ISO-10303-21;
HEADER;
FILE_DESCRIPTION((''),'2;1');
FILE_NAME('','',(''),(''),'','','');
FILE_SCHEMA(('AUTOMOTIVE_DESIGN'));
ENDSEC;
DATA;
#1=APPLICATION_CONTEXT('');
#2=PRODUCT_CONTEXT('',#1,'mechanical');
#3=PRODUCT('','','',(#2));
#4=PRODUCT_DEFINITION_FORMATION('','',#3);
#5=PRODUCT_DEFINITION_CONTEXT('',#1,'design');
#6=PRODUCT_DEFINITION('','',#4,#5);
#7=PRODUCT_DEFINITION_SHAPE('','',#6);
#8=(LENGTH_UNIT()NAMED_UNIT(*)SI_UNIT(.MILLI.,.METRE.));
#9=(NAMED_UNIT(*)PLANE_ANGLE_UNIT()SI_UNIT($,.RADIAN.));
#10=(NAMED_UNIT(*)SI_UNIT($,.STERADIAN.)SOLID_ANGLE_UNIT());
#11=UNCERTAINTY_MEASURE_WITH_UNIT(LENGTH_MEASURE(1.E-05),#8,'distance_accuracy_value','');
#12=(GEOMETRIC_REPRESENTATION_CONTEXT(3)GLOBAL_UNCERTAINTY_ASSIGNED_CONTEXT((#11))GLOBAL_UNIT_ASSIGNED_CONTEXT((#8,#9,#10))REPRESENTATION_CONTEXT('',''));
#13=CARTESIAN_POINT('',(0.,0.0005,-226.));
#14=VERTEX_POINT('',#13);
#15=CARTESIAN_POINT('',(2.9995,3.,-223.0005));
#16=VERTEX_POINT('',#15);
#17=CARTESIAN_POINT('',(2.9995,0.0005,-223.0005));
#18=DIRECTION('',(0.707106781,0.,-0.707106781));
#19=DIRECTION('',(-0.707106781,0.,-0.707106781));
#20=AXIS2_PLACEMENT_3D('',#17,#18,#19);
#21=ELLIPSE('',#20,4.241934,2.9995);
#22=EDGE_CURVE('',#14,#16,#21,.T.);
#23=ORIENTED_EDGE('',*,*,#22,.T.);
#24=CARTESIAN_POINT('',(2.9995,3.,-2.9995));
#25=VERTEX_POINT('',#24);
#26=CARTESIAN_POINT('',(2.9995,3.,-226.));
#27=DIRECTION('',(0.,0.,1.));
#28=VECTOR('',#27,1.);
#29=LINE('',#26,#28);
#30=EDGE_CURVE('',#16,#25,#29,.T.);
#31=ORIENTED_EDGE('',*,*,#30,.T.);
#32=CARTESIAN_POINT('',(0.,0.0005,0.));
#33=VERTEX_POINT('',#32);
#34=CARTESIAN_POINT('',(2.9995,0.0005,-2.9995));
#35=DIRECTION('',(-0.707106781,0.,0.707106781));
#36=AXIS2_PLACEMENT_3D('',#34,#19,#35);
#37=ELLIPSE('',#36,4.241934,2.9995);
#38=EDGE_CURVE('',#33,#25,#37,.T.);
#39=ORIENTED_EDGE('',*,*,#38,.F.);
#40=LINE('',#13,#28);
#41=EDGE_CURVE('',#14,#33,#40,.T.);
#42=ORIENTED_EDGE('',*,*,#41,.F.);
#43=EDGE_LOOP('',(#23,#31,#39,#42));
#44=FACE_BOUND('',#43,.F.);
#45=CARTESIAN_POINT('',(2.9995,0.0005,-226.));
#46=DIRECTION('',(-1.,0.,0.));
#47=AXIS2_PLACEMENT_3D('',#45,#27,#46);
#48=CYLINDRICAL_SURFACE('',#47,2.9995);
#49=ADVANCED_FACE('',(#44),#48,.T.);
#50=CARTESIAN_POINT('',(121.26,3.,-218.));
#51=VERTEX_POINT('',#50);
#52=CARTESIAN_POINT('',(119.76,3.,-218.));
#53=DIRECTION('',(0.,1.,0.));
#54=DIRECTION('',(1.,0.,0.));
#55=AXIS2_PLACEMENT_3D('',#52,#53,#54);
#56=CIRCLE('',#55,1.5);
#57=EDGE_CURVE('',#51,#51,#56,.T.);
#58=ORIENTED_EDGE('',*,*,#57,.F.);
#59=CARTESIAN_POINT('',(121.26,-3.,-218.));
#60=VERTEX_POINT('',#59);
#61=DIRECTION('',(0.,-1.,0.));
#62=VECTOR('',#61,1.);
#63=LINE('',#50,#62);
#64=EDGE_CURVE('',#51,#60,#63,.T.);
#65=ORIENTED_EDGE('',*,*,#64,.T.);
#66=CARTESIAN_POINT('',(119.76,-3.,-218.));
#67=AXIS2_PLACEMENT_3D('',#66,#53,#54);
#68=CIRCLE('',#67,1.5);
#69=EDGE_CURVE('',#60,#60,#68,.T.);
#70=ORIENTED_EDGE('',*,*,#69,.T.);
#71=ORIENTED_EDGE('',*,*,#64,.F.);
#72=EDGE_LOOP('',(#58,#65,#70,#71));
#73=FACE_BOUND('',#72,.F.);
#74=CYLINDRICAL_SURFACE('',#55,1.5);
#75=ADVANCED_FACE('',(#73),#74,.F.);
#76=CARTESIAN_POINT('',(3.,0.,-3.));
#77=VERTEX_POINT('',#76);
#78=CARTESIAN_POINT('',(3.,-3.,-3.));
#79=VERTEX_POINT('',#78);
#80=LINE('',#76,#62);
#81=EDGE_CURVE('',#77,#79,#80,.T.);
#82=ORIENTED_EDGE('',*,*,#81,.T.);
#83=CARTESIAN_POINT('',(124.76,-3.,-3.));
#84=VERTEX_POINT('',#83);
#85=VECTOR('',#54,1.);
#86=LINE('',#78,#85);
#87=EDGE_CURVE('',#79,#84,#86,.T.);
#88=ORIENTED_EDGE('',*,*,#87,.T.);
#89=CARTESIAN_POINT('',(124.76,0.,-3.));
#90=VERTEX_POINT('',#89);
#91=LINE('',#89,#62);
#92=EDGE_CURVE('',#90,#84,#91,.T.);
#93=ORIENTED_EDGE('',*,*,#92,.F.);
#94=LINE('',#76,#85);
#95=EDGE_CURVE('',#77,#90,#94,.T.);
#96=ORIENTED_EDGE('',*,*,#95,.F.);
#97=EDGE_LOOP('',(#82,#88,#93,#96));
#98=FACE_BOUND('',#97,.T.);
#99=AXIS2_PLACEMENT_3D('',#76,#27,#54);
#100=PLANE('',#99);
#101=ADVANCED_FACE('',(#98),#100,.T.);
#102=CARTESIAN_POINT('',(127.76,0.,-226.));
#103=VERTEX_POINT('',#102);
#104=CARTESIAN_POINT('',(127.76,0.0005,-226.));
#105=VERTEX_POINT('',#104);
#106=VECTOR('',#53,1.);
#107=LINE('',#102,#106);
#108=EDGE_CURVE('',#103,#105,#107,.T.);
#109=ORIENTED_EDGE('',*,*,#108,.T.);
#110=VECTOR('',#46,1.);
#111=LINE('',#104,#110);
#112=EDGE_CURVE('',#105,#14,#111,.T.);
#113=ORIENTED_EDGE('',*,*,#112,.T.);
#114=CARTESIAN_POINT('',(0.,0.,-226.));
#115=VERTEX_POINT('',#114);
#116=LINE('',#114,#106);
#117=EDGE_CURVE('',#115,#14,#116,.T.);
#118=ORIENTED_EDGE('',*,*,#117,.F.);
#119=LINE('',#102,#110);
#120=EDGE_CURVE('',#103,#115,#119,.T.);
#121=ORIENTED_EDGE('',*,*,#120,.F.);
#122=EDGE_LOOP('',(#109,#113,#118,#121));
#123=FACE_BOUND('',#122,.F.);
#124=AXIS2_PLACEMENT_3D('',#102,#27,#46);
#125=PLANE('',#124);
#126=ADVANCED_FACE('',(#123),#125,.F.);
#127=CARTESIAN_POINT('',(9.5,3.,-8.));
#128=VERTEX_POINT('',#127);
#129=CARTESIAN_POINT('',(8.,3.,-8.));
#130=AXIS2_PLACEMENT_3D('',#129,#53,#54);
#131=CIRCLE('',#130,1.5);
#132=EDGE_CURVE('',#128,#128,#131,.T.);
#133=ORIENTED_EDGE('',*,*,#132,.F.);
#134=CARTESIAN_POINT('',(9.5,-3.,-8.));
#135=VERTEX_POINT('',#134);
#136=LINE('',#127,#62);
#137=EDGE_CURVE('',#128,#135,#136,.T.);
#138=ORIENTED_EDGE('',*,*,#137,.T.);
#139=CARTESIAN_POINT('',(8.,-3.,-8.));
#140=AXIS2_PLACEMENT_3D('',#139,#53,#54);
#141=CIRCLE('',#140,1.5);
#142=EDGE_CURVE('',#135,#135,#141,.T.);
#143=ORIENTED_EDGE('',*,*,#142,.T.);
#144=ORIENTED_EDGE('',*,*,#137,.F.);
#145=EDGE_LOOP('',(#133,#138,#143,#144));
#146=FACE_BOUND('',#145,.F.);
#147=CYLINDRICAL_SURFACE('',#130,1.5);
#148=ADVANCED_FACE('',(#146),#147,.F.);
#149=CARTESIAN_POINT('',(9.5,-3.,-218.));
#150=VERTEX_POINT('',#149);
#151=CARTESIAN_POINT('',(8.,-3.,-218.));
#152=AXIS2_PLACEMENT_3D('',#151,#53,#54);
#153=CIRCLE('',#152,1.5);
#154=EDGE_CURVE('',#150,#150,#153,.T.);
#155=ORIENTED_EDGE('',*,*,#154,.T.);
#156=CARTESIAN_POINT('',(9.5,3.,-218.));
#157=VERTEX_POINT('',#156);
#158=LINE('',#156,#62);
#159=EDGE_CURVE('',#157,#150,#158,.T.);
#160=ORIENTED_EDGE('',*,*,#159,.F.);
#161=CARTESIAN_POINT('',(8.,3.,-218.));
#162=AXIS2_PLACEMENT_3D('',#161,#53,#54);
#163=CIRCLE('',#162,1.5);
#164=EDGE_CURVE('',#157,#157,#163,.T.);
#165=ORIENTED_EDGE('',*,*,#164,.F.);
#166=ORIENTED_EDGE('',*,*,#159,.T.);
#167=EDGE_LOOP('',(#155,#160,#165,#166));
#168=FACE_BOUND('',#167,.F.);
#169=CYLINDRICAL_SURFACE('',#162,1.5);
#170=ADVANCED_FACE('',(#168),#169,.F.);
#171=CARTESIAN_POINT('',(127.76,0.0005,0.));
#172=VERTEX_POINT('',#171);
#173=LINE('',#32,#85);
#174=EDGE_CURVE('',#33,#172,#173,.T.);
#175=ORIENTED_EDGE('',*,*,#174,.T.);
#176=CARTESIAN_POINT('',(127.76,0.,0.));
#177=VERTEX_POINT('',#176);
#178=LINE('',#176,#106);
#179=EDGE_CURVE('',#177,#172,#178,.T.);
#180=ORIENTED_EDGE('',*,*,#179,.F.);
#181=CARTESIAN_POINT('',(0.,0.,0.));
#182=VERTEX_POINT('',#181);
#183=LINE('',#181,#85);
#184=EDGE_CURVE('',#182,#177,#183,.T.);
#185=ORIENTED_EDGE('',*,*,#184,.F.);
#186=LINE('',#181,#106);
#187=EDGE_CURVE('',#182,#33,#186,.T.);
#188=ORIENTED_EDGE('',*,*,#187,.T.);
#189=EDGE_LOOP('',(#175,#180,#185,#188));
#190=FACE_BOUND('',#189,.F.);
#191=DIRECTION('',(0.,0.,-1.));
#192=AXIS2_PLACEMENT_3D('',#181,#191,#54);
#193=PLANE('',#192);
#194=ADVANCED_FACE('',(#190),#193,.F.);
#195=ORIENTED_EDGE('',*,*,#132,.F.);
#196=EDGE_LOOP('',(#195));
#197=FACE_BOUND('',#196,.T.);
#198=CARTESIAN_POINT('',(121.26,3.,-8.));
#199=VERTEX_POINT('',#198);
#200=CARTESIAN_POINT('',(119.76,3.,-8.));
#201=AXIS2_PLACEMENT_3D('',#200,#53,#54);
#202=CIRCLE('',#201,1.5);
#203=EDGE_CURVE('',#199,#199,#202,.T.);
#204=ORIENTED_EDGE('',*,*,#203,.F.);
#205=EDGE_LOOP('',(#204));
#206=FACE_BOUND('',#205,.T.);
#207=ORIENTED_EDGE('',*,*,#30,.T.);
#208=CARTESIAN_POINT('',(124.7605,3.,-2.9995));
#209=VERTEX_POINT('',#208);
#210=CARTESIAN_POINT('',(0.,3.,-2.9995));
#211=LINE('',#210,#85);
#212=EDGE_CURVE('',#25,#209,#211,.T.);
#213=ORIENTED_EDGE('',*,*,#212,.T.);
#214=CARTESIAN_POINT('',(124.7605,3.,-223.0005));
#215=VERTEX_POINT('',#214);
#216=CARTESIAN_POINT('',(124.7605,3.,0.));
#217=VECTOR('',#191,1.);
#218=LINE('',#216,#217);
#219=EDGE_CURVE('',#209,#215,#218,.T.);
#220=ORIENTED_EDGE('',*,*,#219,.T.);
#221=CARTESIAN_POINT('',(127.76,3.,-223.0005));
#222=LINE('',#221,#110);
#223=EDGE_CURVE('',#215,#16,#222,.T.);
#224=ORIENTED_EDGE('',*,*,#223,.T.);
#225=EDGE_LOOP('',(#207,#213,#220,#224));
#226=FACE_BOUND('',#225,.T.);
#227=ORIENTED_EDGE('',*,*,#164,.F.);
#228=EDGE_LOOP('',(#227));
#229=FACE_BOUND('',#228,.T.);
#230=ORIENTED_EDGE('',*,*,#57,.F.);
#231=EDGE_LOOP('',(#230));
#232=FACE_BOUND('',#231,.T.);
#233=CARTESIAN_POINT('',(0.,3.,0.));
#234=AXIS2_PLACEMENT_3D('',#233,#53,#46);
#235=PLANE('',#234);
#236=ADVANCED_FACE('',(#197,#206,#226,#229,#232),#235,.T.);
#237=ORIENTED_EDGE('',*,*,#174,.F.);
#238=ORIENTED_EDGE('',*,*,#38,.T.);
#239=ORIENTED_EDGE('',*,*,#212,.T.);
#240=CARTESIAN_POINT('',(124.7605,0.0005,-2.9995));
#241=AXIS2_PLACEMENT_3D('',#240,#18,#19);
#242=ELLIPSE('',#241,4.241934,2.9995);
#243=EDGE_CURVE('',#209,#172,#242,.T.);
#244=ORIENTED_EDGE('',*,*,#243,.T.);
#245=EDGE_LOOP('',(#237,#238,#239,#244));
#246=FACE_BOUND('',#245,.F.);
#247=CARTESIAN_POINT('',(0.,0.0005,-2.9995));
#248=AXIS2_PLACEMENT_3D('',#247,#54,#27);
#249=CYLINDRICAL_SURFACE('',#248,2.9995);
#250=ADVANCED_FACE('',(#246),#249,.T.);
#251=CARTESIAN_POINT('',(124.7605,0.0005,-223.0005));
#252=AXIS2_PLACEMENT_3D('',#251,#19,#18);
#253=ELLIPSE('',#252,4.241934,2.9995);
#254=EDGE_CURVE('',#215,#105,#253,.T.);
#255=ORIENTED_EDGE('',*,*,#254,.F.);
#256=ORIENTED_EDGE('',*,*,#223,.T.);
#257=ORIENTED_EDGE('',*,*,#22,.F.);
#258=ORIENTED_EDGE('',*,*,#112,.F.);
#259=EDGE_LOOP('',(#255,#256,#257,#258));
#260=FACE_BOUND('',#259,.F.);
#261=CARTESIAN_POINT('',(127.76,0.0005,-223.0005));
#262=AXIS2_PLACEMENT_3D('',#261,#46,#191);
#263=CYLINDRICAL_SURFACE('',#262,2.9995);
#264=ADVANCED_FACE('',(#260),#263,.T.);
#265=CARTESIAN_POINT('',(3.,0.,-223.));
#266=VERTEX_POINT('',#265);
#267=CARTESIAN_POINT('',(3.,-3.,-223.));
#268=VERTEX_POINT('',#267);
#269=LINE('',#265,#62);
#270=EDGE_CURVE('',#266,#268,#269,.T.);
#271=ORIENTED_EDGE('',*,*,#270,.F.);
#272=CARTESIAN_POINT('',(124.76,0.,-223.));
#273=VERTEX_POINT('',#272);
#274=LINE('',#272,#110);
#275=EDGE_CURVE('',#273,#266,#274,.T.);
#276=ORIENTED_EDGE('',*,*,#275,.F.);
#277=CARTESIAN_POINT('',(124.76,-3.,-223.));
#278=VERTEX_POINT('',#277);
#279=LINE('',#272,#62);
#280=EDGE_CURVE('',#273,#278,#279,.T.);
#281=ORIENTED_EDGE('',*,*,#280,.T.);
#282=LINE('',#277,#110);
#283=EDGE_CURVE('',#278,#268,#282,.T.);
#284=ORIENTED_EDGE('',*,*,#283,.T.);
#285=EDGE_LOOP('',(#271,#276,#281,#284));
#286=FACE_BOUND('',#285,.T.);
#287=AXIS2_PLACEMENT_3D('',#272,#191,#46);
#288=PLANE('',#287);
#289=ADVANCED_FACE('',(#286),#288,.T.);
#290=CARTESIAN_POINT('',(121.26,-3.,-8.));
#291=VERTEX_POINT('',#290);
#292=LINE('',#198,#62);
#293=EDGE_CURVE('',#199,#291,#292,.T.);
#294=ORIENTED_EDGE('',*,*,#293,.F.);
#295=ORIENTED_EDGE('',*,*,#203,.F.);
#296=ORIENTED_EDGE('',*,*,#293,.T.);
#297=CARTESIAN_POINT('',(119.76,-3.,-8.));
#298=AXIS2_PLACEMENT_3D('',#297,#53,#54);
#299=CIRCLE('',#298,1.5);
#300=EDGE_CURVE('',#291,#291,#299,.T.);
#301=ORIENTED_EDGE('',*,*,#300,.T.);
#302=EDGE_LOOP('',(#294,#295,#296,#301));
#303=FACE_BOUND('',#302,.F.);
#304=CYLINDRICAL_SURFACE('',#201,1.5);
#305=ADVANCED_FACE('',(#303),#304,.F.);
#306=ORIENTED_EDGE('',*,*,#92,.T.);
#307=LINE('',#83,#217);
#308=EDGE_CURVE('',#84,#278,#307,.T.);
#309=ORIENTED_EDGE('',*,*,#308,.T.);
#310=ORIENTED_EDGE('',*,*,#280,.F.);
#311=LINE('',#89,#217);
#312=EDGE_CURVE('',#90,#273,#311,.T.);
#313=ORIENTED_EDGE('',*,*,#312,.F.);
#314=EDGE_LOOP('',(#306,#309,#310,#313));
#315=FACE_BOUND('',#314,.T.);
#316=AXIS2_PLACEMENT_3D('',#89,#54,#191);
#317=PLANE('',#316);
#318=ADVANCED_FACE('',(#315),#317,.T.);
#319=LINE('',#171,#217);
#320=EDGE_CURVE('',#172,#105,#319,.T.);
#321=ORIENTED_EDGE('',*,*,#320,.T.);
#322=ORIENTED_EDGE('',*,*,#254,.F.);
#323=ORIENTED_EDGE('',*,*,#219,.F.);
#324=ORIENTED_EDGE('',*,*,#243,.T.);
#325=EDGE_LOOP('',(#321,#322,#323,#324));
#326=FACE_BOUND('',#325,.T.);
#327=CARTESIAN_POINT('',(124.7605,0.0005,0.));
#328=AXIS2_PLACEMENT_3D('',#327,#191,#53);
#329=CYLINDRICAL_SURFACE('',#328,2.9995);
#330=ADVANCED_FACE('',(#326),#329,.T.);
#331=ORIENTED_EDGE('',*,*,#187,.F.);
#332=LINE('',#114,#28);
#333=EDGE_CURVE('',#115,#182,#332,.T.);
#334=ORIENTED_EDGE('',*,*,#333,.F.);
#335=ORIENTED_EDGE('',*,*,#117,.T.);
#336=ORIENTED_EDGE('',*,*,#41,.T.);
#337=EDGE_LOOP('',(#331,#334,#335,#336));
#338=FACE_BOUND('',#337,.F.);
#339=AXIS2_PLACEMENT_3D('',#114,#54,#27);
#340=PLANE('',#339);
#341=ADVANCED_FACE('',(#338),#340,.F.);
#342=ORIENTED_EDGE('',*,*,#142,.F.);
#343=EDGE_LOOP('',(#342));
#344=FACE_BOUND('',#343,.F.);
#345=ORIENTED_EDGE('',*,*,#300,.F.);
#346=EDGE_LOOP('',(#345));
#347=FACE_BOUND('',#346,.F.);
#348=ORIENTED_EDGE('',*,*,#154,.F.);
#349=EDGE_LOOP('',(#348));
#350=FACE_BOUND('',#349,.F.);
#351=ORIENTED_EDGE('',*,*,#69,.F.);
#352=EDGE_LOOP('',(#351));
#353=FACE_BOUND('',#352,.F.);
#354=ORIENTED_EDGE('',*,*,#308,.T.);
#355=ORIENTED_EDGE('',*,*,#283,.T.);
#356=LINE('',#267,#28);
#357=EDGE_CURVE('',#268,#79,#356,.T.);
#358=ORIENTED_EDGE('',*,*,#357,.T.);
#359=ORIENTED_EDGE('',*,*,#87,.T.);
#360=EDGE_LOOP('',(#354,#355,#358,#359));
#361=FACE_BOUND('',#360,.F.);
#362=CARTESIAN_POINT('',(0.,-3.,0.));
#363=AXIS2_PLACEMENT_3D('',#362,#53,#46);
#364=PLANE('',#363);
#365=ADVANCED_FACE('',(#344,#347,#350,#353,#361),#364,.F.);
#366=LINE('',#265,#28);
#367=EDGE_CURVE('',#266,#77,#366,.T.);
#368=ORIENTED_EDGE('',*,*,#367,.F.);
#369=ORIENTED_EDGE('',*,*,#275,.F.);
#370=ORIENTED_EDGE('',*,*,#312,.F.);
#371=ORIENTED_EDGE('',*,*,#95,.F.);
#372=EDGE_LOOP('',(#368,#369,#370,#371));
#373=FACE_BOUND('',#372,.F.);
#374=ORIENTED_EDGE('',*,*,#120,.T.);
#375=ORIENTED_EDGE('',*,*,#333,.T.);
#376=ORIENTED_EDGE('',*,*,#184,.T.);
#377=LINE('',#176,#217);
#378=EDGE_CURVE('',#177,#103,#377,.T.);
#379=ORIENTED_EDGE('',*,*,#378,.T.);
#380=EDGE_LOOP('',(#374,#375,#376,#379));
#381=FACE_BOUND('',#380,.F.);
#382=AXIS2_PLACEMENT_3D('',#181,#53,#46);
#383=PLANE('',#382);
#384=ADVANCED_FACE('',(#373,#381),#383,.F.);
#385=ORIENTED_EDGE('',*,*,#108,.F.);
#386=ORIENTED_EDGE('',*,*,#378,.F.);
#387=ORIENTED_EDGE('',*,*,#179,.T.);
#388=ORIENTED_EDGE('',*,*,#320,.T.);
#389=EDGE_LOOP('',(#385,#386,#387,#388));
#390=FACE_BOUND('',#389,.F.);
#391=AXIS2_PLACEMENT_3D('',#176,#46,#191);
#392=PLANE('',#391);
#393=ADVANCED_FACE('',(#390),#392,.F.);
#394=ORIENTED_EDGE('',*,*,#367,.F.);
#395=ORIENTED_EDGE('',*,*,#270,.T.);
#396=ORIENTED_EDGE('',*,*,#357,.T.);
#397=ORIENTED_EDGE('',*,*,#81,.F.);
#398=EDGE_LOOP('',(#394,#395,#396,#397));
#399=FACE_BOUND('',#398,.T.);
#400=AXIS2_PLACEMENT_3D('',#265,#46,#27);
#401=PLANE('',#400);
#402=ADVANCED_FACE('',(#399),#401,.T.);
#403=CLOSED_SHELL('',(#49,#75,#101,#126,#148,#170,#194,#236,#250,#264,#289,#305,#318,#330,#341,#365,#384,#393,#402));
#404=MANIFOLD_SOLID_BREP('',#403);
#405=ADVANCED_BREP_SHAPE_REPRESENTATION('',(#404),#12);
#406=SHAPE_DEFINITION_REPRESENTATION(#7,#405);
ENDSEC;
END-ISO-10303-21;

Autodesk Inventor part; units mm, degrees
ref_plane "YZ Plane" through (0, 0, 0) normal (1, 0, 0) x (0, 1, 0)
ref_plane "XZ Plane" through (0, 0, 0) normal (0, 1, 0) x (-1, 0, 0)
ref_plane "XY Plane" through (0, 0, 0) normal (0, 0, 1) x (1, 0, 0)
sketch "Sketch1" plane through (0, 0, 0) normal (0, 1, 0) x (-1, 0, 0)
  line L0 (0, 0) -> (-127.76, 0)
  line L1 (-127.76, 0) -> (-127.76, -226)
  line L2 (-127.76, -226) -> (0, -226)
  line L3 (0, -226) -> (0, 0)
  line L4 (-3, -3) -> (-124.76, -3)
  line L5 (-124.76, -3) -> (-124.76, -223)
  line L6 (-124.76, -223) -> (-3, -223)
  line L7 (-3, -223) -> (-3, -3)
  dimension "d0" = 127.76
  dimension "d1" = 226
  dimension "d2" = 3
extrude "Extrusion1" add sketch "Sketch1" against normal blind 3 contours L7 L6 L5 L4
extrude "Extrusion2" add sketch "Sketch1" along normal blind 3 contours L3 L2 L1 L0 | L7 L6 L5 L4
sketch "Sketch2" plane through (0, 3, 0) normal (0, 1, 0) x (1, 0, 0)
  line L0 (0, 226) -> (0, 0) projected
  line L1 (0, 113) -> (127.76, 113) construction
  line L2 (127.76, 0) -> (127.76, 226) projected
  line L3 (0, 0) -> (127.76, 0) projected
  line L4 (63.88, 0) -> (63.88, 226) construction
  line L5 (127.76, 226) -> (0, 226) projected
  circle A0 centre (119.76, 8) radius 1.5
  circle A1 centre (8, 8) radius 1.5
  circle A2 centre (119.76, 218) radius 1.5
  circle A3 centre (8, 218) radius 1.5
  dimension "d7" = 3
  dimension "d8" = 8
  dimension "d9" = 8
extrude "Extrusion3" cut sketch "Sketch2" against normal through all contours A0 | A1 | A2 | A3
fillet "Fillet1" radius 3 4 edges at (127.76, 3, -113) (63.88, 3, -226) (0, 3, -113) (63.88, 3, 0)
properties part number "Lid"
